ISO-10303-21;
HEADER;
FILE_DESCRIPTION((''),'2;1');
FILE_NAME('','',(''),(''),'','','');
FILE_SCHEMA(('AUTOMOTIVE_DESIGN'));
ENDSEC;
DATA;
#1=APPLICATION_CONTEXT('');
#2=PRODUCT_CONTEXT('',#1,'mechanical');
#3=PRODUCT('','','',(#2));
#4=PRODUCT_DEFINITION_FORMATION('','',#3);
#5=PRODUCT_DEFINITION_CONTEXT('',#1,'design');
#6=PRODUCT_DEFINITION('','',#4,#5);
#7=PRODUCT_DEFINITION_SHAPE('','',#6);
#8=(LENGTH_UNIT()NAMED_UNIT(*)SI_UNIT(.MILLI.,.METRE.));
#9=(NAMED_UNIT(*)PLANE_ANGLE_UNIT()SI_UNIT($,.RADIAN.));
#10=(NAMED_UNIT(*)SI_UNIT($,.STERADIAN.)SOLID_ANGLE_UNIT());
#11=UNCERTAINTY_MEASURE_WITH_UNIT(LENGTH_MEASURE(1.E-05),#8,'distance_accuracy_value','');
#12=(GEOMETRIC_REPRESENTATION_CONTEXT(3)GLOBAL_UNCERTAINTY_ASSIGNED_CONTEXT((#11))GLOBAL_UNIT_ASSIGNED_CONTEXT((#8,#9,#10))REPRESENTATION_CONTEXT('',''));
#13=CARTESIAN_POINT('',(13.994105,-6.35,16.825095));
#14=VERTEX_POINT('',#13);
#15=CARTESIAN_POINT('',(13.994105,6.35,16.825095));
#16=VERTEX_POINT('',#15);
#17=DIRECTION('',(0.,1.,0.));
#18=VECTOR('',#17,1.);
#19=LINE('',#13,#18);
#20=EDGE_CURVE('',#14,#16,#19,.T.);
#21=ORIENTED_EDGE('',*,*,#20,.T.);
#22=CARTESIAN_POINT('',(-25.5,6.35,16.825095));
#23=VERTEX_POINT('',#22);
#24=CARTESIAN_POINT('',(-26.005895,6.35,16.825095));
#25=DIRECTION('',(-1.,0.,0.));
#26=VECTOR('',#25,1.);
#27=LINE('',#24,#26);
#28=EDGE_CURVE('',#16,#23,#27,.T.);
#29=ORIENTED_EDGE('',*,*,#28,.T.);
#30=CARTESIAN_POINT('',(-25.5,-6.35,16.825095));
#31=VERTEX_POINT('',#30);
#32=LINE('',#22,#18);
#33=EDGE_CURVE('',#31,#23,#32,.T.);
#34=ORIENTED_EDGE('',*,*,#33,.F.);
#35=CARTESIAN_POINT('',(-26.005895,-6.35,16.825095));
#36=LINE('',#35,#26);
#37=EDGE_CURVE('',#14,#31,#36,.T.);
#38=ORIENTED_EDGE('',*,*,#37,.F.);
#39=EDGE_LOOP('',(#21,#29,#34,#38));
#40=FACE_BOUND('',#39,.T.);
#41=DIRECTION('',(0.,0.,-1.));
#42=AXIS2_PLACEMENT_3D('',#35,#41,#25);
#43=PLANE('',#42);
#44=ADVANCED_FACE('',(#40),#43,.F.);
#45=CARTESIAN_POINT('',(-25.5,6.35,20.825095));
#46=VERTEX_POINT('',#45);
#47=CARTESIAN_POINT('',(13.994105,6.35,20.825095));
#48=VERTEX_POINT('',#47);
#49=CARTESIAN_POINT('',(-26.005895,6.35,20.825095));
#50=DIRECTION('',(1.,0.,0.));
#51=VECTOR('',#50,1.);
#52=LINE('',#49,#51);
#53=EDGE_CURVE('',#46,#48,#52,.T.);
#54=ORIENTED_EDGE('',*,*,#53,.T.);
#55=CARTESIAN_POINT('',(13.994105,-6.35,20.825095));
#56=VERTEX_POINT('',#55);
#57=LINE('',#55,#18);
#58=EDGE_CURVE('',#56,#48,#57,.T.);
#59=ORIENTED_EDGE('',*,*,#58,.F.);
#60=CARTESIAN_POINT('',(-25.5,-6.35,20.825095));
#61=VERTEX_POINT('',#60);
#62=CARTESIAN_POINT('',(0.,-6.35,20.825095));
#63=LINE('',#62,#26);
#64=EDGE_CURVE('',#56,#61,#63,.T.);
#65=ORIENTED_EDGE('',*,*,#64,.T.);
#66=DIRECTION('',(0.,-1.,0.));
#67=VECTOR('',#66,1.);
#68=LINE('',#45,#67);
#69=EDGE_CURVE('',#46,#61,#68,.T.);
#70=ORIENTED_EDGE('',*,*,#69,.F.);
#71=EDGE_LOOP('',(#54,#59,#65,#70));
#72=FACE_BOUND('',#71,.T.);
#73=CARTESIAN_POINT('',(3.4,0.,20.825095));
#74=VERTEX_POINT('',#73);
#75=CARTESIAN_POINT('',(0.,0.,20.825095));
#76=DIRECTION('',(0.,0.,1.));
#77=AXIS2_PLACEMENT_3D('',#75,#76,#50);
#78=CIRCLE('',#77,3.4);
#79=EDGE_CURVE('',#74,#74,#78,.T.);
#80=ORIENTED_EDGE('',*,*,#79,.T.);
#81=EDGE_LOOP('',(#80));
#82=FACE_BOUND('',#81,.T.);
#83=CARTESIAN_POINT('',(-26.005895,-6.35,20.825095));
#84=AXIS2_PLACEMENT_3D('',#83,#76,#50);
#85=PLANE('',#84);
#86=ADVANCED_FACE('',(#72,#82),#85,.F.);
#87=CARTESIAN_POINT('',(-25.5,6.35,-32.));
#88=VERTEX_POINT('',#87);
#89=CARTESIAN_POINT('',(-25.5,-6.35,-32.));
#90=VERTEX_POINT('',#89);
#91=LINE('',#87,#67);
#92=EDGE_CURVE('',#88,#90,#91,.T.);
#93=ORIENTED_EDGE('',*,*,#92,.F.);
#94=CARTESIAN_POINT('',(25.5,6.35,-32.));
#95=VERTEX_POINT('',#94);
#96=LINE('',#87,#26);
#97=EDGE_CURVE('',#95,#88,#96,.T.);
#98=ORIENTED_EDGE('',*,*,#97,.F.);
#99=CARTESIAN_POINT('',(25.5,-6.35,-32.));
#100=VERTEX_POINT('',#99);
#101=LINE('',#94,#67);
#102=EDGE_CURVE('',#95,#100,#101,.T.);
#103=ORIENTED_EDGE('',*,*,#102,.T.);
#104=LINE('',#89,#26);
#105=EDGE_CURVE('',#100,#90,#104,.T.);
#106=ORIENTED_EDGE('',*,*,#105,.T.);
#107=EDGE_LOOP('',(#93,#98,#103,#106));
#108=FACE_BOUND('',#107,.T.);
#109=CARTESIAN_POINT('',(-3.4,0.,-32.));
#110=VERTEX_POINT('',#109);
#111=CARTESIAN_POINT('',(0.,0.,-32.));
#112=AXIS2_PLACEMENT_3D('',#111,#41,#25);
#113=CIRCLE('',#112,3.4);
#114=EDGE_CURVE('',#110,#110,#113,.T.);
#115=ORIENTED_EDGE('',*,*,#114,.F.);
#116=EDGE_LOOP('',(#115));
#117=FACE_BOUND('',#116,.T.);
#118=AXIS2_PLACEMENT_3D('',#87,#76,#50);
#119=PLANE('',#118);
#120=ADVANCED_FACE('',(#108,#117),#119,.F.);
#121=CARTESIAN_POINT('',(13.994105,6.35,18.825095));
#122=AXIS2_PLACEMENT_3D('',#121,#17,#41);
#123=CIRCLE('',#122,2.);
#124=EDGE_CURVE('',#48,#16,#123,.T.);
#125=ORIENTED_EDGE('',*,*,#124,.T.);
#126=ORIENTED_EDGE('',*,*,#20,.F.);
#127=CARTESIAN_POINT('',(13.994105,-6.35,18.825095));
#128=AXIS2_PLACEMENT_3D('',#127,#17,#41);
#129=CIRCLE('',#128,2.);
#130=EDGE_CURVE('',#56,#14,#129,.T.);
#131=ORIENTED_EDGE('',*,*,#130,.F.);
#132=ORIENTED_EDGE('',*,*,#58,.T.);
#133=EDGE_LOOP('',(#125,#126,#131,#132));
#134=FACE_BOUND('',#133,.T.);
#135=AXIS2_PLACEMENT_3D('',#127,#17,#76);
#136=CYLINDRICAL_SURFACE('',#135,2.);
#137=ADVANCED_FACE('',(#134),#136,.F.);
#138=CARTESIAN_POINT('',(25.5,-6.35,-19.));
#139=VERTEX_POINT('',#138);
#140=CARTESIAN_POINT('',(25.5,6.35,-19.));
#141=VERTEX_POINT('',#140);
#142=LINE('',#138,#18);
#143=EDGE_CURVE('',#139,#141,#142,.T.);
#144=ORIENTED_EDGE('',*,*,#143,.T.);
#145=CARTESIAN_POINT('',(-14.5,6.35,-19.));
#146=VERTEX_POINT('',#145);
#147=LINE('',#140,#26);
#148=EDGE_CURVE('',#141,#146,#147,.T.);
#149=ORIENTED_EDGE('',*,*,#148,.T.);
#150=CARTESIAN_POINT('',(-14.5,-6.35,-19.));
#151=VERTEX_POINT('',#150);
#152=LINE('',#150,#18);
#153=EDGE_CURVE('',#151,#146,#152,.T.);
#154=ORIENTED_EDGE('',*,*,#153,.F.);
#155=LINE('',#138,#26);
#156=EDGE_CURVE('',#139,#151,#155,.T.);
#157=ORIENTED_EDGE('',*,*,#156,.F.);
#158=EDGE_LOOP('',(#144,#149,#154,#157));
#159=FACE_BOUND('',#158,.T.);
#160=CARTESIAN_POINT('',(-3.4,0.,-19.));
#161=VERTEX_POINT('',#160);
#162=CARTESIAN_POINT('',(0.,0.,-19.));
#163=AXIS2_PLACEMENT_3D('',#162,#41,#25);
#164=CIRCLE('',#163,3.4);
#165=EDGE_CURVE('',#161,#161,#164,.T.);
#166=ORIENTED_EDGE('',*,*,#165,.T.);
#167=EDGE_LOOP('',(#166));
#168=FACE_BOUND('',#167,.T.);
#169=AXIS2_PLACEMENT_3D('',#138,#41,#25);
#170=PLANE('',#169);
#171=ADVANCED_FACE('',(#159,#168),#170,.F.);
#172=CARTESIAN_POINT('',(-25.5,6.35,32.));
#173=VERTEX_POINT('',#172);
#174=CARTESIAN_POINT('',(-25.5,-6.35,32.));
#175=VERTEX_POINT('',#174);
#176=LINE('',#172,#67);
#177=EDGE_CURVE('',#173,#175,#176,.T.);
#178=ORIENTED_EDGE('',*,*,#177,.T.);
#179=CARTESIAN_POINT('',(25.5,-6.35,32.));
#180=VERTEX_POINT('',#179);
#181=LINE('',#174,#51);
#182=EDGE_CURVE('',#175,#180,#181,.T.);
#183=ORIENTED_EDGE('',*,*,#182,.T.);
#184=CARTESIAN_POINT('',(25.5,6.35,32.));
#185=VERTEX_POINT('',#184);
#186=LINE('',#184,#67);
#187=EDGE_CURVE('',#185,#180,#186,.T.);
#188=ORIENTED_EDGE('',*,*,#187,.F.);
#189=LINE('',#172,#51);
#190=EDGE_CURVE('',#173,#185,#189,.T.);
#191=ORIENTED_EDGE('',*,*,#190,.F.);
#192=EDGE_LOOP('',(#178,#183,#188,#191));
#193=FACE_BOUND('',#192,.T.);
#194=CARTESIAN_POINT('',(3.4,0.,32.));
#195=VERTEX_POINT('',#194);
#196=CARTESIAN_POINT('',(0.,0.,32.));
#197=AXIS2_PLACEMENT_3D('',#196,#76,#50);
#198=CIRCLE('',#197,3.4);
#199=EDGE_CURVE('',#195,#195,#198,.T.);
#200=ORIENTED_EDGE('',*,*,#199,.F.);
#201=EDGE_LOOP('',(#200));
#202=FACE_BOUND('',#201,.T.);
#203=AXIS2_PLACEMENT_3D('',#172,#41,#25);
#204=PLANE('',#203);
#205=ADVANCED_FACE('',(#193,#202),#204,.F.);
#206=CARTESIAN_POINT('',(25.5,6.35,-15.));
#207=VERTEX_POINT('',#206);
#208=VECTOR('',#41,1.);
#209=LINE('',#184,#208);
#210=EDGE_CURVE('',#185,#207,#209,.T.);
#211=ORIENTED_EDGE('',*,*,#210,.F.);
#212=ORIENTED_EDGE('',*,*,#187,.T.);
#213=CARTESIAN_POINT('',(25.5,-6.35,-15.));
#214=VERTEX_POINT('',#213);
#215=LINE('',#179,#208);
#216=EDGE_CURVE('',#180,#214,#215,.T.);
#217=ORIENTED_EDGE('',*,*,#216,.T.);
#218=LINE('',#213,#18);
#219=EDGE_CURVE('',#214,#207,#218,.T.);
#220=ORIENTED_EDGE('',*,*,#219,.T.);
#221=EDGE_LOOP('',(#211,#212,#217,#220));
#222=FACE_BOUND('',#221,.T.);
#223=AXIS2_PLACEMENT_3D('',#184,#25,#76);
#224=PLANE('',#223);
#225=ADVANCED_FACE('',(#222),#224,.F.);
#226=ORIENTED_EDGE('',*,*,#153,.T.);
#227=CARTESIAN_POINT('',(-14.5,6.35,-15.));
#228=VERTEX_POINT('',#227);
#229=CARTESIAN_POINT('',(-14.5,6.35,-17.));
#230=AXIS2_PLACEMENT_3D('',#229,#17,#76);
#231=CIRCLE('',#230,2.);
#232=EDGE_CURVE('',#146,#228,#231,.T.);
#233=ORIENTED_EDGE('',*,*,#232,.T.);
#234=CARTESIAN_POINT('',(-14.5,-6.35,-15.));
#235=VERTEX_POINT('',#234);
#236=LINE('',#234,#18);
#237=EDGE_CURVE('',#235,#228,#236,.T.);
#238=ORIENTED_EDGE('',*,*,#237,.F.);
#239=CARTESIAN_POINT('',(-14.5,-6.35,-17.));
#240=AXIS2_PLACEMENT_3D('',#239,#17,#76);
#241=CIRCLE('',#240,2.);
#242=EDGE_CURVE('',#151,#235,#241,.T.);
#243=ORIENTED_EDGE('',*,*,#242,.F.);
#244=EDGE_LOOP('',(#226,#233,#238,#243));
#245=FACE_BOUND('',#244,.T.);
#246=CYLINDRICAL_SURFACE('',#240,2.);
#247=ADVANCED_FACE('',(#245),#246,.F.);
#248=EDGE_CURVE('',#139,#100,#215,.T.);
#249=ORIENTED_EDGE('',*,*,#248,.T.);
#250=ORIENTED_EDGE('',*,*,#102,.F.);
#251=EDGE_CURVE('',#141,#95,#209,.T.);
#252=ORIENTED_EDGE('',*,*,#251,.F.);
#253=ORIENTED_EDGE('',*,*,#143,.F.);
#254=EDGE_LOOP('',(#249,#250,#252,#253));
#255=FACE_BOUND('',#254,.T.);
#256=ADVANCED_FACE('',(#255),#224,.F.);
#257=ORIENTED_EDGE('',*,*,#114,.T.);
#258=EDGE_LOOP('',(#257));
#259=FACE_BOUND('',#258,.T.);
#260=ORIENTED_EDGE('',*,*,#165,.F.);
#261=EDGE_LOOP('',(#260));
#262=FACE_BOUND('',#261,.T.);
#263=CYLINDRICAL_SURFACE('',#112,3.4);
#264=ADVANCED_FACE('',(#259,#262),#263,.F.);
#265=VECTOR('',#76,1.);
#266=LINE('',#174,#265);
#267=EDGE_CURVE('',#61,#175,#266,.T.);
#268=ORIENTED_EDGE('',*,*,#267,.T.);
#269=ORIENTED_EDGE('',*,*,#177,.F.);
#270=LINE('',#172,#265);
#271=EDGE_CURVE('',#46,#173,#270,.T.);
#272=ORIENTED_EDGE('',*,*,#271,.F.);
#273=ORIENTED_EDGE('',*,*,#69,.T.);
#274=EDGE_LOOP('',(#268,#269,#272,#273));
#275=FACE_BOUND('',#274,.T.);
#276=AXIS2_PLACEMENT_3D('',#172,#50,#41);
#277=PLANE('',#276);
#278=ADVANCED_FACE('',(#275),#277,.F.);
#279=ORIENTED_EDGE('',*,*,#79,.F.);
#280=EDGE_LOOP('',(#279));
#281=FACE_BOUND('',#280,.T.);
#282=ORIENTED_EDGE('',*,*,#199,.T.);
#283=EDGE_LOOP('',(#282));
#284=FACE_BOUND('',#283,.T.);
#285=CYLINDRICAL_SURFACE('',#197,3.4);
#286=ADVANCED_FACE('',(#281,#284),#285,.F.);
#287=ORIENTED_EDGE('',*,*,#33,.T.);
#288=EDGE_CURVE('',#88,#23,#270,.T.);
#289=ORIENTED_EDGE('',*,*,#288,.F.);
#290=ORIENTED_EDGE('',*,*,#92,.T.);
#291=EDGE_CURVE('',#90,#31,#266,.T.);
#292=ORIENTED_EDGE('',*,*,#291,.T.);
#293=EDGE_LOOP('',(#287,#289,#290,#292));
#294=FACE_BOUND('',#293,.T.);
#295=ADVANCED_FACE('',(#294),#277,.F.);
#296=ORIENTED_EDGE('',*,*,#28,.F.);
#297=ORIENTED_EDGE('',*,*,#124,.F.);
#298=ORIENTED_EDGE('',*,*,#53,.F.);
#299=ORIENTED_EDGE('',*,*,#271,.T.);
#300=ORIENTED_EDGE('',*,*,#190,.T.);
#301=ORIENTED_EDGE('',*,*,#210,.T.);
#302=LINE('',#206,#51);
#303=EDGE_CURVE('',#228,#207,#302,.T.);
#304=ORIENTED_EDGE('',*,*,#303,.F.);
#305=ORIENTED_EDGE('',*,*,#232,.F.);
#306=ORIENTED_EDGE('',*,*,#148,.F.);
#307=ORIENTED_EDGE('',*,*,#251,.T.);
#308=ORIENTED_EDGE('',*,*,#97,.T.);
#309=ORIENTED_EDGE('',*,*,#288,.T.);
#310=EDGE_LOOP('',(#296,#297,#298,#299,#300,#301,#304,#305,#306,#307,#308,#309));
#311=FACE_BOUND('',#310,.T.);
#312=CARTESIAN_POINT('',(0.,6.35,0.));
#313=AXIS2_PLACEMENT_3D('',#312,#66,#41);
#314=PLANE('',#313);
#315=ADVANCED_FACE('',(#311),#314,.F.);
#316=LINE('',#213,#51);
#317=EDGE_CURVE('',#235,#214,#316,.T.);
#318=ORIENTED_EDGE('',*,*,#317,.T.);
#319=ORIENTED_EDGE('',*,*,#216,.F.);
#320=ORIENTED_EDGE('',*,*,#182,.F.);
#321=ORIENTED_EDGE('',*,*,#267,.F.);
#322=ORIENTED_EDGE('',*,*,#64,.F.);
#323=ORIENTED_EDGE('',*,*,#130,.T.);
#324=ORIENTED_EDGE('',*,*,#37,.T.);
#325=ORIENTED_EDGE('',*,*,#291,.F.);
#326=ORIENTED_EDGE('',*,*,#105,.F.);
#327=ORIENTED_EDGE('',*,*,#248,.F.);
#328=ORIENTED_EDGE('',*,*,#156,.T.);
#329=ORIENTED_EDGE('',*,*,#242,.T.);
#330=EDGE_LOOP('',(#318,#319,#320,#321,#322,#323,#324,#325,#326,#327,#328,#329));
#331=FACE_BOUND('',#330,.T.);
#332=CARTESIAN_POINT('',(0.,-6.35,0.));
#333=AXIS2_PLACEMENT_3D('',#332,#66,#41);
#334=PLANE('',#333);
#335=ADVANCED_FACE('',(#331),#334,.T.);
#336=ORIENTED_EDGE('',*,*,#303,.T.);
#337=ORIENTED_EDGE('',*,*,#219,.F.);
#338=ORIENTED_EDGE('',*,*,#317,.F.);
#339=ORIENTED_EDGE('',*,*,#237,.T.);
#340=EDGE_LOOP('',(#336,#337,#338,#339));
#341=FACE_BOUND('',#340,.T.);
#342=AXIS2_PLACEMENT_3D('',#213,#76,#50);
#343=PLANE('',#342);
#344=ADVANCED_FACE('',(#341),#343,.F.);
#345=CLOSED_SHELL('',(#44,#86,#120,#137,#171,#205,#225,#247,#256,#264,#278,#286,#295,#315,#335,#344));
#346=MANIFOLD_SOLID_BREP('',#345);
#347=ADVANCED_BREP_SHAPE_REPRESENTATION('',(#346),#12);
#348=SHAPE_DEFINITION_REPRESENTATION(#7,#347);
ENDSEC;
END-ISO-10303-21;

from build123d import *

# Parameters (mm, degrees)
SKETCH_1_W               = 51
SKETCH_1_H               = 64
EXTRUDE_1_DEPTH          = 6.35
CUT_EXTRUDE_1_DEPTH      = 43.843202495
PATTERN_CIRCULAR_1_COUNT = 2
HOLE_WIZARD_M8_1_D       = 6.8
HOLE_WIZARD_M8_1_DEPTH   = 13


with BuildPart() as part:
    # 草图1 → 凸台-拉伸1 (new, symmetric)
    with BuildSketch(Plane(origin=(0, 0, 0), x_dir=(1, 0, 0), z_dir=(0, 1, 0))):
        Rectangle(SKETCH_1_W, SKETCH_1_H)
    extrude(amount=EXTRUDE_1_DEPTH, both=True)

    # 草图2 → 切除-拉伸1 (cut, through all)
    with BuildSketch(Plane(origin=(0, 6.35, 0), x_dir=(1, 0, 0), z_dir=(0, 1, 0))):
        with BuildLine():
            Line((25.5, 15), (-14.5, 15))
            ThreePointArc((-14.5, 15), (-16.5, 17), (-14.5, 19))
            Line((-14.5, 19), (25.5, 19))
            ThreePointArc((25.5, 19), (27.5, 17), (25.5, 15))
        make_face()
    cut_extrude_1 = extrude(amount=-CUT_EXTRUDE_1_DEPTH, mode=Mode.SUBTRACT)

    # 阵列(圆周)1: 切除-拉伸1 ×2 about axis
    pattern_circular_1_axis = Axis((-0.252947744, 0, 0.912547634), (0, 1, 0))
    for i in range(1, PATTERN_CIRCULAR_1_COUNT):
        add(cut_extrude_1.rotate(pattern_circular_1_axis, i * 360 / PATTERN_CIRCULAR_1_COUNT), mode=Mode.SUBTRACT)

    # M8 螺纹孔1
    with Locations(Plane(origin=(0, 0, -32), x_dir=(-1, 0, 0), z_dir=(0, 0, -1))):
        with Locations((0, 0)):
            hole_wizard_m8_1 = Hole(HOLE_WIZARD_M8_1_D / 2, depth=HOLE_WIZARD_M8_1_DEPTH)

    # 镜向1: M8 螺纹孔1 across plane
    add(hole_wizard_m8_1.mirror(Plane.XY), mode=Mode.SUBTRACT)


solid = part.part
